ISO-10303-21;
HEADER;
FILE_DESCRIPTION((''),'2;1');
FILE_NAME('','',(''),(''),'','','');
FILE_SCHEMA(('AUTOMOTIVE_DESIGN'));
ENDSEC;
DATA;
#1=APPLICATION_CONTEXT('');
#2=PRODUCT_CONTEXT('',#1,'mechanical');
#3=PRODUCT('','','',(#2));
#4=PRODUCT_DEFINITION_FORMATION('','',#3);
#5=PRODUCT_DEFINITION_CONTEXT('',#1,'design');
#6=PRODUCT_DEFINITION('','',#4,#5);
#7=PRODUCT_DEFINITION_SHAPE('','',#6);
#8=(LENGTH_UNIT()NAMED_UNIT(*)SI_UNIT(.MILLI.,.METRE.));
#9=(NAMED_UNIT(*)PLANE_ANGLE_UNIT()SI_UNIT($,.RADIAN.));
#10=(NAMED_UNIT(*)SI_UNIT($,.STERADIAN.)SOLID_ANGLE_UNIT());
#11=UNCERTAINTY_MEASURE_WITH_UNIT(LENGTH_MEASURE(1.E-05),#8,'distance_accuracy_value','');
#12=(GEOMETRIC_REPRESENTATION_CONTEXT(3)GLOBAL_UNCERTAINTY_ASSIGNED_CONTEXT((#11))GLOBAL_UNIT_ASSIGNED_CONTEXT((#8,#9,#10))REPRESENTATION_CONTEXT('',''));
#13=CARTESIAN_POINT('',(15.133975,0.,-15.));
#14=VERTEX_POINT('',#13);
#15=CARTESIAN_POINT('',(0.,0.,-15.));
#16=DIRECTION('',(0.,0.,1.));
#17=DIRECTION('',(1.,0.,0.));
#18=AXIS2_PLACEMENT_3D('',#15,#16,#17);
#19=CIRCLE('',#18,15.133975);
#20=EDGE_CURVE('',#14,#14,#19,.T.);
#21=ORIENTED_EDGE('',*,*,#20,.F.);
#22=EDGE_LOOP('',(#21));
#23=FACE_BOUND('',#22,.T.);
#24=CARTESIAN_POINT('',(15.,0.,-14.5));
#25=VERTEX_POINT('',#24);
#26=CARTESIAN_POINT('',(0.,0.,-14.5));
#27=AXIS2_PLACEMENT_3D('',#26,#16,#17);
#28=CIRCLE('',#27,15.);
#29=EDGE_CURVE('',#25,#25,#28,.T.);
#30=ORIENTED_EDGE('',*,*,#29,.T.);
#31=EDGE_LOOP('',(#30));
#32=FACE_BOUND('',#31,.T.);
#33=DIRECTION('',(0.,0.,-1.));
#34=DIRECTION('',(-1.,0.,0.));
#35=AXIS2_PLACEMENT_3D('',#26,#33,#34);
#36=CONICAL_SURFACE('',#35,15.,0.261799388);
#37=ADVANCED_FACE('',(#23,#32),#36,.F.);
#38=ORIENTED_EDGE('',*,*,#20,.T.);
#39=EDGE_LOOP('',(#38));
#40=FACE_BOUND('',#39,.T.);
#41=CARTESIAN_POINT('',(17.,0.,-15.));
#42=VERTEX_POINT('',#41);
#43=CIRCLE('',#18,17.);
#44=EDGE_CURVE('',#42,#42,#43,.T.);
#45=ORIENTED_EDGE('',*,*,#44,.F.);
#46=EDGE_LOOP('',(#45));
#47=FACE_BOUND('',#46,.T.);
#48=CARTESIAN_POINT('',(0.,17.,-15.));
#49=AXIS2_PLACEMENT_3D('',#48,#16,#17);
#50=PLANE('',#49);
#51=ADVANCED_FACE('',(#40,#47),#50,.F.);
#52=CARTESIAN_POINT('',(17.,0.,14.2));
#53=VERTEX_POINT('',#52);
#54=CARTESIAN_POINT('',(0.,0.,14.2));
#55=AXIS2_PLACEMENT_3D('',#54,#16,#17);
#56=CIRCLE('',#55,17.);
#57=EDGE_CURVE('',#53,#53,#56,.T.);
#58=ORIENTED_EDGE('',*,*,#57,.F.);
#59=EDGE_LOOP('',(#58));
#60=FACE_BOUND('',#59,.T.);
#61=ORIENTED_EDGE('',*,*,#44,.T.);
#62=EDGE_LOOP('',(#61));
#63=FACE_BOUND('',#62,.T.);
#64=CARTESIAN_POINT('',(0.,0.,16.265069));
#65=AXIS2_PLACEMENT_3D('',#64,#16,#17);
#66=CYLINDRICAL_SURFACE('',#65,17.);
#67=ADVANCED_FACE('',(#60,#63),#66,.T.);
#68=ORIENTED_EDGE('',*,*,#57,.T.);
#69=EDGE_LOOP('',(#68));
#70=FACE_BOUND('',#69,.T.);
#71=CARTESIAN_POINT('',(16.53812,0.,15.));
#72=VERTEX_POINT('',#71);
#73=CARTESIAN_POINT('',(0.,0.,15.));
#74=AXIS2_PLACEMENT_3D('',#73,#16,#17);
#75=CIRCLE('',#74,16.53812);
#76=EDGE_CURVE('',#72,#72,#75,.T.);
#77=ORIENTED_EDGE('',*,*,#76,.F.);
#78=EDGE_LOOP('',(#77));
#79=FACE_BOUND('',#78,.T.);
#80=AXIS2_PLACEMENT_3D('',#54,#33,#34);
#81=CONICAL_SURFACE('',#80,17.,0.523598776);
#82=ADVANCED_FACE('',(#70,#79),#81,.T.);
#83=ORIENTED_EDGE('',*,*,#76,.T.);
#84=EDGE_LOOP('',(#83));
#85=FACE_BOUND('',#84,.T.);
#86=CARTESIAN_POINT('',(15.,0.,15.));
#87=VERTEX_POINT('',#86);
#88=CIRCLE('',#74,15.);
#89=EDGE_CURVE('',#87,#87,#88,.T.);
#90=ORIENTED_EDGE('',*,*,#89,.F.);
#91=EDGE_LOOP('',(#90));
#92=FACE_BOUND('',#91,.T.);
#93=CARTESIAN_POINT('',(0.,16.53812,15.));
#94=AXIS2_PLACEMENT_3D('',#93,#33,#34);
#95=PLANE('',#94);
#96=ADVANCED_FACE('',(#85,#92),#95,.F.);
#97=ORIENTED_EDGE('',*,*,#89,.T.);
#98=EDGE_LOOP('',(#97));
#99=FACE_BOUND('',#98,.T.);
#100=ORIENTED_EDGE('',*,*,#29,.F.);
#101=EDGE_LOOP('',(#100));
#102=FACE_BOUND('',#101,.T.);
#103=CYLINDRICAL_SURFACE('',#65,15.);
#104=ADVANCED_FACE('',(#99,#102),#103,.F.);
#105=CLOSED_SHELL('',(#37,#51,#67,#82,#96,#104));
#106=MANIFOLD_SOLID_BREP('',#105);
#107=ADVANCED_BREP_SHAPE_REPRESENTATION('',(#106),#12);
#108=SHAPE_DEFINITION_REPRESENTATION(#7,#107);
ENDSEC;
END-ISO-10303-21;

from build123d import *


with BuildPart() as part:
    # Schizzo1 → Rivoluzione1 (revolve)
    with BuildSketch(Plane(origin=(0, 0, 0), x_dir=(0, 0, -1), z_dir=(1, 0, 0)), mode=Mode.PRIVATE) as rivoluzione1_sk:
        Polygon((-14.2, 17), (15, 17), (15, 15.133974596), (14.5, 15), (-15, 15), (-15, 16.538119785), align=None)
    revolve(rivoluzione1_sk.sketch.rotate(Axis((0, 0, 16.265069321), (0, 0, -1)), 90), axis=Axis((0, 0, 16.265069321), (0, 0, -1)))


solid = part.part
